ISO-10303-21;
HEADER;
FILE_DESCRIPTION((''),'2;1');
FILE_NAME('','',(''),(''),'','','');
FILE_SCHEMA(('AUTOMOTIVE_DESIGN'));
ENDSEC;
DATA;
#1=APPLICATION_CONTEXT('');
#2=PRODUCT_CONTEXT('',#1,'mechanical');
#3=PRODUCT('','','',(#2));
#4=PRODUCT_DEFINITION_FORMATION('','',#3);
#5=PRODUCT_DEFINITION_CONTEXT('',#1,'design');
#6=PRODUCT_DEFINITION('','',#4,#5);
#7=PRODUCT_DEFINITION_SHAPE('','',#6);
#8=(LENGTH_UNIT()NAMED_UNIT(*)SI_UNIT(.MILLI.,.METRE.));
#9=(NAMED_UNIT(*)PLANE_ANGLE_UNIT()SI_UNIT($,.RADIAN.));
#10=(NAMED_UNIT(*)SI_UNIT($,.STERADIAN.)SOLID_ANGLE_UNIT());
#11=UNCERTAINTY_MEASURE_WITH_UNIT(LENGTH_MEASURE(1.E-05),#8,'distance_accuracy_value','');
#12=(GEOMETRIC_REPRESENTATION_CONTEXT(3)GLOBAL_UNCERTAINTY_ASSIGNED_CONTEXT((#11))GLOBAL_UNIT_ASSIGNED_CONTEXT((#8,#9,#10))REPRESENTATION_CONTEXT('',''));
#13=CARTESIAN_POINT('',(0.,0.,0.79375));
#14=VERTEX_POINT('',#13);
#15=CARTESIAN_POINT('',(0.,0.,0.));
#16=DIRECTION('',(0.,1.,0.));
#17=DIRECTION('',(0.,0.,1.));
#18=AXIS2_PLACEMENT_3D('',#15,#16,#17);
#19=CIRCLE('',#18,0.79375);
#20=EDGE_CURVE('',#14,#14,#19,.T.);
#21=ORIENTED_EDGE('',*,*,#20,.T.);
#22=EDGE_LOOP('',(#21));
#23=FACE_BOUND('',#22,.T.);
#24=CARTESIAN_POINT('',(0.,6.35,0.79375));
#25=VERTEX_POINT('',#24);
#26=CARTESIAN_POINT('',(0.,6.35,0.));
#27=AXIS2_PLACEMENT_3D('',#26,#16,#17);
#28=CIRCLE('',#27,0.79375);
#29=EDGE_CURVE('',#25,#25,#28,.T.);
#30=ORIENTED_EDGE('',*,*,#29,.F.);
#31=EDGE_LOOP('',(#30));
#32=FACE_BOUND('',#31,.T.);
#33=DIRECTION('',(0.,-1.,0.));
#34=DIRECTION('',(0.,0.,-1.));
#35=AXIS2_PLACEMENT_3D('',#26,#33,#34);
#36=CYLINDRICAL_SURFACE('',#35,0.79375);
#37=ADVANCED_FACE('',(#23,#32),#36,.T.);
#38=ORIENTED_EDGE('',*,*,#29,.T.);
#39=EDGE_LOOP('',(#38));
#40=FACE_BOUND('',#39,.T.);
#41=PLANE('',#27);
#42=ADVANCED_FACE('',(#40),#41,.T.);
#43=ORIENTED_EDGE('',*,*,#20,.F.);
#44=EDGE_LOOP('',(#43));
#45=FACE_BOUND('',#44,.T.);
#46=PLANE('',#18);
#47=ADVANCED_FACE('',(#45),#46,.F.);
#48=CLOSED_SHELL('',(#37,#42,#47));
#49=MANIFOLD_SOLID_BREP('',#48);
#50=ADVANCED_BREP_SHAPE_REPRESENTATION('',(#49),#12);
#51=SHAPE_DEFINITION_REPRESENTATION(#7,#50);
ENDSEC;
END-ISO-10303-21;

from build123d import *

# Parameters (mm, degrees)
SKETCH1_R           = 0.79375
BOSS_EXTRUDE1_DEPTH = 6.35


with BuildPart() as part:
    # Sketch1 → Boss-Extrude1 (new body)
    with BuildSketch(Plane(origin=(0, 0, 0), x_dir=(1, 0, 0), z_dir=(0, 1, 0))):
        Circle(SKETCH1_R)
    extrude(amount=BOSS_EXTRUDE1_DEPTH)


solid = part.part
